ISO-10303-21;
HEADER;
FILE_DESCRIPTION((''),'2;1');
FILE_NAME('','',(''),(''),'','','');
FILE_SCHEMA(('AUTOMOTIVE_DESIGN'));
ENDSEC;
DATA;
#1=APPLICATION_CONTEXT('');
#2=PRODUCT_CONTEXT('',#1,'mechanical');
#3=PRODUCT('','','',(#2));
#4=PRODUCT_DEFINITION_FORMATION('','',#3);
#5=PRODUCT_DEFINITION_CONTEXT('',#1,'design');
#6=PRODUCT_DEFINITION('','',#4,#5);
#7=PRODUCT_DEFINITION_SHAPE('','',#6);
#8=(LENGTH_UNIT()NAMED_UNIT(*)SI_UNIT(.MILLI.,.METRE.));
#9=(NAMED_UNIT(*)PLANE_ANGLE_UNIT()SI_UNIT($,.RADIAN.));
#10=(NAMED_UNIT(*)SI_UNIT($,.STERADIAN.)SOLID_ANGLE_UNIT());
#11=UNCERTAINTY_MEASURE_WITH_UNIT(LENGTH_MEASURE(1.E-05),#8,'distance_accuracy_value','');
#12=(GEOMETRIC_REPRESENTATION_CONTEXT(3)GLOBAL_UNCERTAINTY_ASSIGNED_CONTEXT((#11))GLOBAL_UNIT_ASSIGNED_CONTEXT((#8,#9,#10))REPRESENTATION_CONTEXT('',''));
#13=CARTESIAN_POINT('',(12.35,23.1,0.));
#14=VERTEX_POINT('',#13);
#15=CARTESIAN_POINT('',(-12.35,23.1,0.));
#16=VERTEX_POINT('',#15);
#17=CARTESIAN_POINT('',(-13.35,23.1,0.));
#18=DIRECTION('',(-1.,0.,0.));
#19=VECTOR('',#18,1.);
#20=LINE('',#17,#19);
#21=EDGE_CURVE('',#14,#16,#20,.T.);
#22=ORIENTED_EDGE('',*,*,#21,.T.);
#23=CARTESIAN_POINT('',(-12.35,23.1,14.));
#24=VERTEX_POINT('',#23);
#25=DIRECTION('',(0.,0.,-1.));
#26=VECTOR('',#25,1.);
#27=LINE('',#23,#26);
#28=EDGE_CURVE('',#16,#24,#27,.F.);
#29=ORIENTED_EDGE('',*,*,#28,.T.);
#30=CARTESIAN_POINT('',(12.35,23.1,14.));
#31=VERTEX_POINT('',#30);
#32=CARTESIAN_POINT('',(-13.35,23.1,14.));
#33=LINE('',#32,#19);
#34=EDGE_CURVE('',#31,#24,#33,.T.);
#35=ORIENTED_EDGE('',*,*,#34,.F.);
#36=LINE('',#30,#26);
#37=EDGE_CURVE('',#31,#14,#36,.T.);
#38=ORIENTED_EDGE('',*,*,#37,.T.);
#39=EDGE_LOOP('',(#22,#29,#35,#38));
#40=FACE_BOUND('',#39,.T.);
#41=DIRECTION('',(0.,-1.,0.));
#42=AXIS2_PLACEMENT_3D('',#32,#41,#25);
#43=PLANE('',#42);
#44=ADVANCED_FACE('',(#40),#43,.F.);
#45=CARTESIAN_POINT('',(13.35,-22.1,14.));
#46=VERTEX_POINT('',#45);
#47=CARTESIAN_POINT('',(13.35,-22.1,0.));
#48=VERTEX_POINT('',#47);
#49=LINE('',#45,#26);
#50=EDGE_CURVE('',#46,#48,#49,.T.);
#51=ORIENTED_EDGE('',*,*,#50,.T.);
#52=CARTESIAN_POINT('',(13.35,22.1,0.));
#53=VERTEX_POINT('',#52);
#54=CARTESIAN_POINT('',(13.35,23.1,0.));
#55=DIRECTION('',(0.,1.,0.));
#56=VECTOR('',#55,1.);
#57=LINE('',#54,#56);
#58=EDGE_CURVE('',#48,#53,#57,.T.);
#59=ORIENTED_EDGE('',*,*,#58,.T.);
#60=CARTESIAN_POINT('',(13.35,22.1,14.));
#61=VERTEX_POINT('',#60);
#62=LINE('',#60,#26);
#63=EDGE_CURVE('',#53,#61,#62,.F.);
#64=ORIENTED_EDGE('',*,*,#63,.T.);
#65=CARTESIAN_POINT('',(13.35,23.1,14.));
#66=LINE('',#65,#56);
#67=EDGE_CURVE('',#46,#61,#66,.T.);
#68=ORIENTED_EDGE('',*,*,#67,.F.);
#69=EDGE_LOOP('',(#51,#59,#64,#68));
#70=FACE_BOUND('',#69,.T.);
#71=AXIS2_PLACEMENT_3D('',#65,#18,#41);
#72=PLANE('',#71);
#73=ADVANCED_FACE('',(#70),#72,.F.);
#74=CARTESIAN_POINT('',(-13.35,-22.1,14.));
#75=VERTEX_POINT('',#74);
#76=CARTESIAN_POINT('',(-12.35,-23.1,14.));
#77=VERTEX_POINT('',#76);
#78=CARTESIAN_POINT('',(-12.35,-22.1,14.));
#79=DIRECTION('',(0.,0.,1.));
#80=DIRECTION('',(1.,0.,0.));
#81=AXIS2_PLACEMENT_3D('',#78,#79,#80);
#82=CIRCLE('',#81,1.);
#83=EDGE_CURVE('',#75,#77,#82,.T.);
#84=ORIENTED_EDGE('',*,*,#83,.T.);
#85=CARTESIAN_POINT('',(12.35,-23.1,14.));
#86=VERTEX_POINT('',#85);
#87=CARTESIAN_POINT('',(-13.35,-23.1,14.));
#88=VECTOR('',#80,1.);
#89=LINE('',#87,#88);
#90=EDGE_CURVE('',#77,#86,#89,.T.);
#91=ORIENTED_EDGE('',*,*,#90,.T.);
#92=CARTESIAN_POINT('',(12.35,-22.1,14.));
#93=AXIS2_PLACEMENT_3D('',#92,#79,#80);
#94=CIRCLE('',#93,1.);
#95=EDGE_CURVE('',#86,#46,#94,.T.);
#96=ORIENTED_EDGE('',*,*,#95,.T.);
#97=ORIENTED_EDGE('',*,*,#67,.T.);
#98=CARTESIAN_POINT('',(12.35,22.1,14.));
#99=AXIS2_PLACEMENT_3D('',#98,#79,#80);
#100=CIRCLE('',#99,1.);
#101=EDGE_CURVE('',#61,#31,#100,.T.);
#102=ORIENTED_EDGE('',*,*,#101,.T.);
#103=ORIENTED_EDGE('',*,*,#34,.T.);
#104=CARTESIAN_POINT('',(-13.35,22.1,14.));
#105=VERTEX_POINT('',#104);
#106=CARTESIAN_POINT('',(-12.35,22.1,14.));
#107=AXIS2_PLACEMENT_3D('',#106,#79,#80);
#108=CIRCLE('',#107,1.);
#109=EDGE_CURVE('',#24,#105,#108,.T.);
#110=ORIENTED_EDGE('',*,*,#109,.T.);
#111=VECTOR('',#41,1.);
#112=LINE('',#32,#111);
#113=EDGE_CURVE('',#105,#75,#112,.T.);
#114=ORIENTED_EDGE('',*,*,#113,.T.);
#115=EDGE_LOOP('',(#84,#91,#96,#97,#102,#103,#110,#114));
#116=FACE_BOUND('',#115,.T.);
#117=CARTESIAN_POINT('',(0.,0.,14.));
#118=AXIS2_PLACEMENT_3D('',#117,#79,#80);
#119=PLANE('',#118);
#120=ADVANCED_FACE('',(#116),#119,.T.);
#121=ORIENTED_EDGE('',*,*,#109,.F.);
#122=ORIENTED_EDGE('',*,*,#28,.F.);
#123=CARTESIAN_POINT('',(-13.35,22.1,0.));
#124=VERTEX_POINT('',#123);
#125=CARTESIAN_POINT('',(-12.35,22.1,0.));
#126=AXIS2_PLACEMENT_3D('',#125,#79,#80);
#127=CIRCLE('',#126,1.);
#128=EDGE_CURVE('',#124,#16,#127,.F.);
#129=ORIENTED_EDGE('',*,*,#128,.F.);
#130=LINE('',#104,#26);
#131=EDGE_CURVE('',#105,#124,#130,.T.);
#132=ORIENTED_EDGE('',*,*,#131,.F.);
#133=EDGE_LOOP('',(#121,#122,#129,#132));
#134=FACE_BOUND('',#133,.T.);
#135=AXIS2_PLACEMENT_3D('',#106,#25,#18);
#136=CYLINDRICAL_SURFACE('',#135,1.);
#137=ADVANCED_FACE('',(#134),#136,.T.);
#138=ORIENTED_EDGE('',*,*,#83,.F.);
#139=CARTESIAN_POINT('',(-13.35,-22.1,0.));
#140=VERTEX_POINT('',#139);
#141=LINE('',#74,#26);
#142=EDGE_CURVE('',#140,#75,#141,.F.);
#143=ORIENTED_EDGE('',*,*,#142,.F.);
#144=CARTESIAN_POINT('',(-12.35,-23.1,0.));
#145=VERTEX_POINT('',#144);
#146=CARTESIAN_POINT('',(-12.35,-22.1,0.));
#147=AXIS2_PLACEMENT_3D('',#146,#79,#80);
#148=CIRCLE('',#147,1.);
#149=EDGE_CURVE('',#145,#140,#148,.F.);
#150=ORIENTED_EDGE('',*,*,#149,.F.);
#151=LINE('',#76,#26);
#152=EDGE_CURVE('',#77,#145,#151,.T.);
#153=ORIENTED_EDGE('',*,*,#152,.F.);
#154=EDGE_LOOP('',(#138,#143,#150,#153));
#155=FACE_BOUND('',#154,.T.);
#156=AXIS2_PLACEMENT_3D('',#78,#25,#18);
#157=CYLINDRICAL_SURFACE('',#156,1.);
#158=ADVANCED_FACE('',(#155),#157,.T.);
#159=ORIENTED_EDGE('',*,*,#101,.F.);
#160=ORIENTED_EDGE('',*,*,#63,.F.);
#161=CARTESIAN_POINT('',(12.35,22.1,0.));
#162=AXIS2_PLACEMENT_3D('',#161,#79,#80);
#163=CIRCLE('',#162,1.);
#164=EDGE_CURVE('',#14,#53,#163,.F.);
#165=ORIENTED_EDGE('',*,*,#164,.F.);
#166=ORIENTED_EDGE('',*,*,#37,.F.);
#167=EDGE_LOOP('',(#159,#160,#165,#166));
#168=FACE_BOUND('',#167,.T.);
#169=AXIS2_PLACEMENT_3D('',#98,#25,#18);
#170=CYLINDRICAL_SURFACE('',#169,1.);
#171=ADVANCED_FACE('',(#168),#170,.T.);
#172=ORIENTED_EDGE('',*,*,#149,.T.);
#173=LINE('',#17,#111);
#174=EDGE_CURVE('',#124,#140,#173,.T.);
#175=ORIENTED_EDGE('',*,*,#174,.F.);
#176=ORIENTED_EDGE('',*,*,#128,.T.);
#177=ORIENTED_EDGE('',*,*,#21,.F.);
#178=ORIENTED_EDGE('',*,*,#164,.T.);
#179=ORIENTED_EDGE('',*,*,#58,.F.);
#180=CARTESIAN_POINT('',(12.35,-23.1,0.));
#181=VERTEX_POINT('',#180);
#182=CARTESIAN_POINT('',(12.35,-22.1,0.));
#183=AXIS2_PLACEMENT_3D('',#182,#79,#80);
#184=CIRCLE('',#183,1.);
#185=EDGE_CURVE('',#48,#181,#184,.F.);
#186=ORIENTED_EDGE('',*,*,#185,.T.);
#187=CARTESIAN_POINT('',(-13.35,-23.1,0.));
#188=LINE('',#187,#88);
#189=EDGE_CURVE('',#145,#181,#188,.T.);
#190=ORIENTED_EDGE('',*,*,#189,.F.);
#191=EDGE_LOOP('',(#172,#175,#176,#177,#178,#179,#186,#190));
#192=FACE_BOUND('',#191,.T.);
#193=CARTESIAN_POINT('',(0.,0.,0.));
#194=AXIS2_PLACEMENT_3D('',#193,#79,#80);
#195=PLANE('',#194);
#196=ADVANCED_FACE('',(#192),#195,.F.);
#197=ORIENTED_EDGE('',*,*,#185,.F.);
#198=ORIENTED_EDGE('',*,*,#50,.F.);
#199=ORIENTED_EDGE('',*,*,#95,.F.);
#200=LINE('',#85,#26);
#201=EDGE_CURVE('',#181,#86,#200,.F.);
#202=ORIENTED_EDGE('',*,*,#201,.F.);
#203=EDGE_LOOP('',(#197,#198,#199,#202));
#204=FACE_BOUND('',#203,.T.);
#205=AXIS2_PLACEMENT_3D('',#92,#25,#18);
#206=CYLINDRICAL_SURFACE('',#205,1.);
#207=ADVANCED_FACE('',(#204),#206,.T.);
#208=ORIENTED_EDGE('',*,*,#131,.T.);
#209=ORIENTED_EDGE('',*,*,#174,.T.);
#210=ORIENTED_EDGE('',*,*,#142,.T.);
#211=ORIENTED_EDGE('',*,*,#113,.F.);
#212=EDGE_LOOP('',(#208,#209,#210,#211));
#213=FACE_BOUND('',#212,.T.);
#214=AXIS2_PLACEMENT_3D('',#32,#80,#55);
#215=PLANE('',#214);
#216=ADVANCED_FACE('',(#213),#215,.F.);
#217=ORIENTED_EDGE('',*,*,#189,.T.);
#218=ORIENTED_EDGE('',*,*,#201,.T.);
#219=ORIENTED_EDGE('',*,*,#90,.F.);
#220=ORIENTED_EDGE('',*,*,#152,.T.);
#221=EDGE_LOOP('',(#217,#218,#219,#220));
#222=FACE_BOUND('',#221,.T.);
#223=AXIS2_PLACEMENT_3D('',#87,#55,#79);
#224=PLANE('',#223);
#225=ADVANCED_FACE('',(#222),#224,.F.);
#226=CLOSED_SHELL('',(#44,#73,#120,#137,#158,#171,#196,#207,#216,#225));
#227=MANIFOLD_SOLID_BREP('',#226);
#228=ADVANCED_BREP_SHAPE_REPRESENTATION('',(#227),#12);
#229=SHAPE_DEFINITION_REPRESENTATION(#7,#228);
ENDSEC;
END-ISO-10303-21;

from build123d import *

# Parameters (mm, degrees)
ESQUISSE1_W        = 26.7
ESQUISSE1_H        = 46.2
BOSS_EXTRU_1_DEPTH = 14
CONG_1_R           = 1


with BuildPart() as part:
    # Esquisse1 → Boss.-Extru.1 (new body)
    with BuildSketch(Plane.XY):
        Rectangle(ESQUISSE1_W, ESQUISSE1_H)
    extrude(amount=BOSS_EXTRU_1_DEPTH)

    # Congé1
    cong_1_edges = [part.edges().sort_by_distance(p)[0] for p in [
        (-13.35, 23.1, 7),
        (13.35, 23.1, 7),
        (13.35, -23.1, 7),
        (-13.35, -23.1, 7),
    ]]
    fillet(cong_1_edges, radius=CONG_1_R)


solid = part.part
